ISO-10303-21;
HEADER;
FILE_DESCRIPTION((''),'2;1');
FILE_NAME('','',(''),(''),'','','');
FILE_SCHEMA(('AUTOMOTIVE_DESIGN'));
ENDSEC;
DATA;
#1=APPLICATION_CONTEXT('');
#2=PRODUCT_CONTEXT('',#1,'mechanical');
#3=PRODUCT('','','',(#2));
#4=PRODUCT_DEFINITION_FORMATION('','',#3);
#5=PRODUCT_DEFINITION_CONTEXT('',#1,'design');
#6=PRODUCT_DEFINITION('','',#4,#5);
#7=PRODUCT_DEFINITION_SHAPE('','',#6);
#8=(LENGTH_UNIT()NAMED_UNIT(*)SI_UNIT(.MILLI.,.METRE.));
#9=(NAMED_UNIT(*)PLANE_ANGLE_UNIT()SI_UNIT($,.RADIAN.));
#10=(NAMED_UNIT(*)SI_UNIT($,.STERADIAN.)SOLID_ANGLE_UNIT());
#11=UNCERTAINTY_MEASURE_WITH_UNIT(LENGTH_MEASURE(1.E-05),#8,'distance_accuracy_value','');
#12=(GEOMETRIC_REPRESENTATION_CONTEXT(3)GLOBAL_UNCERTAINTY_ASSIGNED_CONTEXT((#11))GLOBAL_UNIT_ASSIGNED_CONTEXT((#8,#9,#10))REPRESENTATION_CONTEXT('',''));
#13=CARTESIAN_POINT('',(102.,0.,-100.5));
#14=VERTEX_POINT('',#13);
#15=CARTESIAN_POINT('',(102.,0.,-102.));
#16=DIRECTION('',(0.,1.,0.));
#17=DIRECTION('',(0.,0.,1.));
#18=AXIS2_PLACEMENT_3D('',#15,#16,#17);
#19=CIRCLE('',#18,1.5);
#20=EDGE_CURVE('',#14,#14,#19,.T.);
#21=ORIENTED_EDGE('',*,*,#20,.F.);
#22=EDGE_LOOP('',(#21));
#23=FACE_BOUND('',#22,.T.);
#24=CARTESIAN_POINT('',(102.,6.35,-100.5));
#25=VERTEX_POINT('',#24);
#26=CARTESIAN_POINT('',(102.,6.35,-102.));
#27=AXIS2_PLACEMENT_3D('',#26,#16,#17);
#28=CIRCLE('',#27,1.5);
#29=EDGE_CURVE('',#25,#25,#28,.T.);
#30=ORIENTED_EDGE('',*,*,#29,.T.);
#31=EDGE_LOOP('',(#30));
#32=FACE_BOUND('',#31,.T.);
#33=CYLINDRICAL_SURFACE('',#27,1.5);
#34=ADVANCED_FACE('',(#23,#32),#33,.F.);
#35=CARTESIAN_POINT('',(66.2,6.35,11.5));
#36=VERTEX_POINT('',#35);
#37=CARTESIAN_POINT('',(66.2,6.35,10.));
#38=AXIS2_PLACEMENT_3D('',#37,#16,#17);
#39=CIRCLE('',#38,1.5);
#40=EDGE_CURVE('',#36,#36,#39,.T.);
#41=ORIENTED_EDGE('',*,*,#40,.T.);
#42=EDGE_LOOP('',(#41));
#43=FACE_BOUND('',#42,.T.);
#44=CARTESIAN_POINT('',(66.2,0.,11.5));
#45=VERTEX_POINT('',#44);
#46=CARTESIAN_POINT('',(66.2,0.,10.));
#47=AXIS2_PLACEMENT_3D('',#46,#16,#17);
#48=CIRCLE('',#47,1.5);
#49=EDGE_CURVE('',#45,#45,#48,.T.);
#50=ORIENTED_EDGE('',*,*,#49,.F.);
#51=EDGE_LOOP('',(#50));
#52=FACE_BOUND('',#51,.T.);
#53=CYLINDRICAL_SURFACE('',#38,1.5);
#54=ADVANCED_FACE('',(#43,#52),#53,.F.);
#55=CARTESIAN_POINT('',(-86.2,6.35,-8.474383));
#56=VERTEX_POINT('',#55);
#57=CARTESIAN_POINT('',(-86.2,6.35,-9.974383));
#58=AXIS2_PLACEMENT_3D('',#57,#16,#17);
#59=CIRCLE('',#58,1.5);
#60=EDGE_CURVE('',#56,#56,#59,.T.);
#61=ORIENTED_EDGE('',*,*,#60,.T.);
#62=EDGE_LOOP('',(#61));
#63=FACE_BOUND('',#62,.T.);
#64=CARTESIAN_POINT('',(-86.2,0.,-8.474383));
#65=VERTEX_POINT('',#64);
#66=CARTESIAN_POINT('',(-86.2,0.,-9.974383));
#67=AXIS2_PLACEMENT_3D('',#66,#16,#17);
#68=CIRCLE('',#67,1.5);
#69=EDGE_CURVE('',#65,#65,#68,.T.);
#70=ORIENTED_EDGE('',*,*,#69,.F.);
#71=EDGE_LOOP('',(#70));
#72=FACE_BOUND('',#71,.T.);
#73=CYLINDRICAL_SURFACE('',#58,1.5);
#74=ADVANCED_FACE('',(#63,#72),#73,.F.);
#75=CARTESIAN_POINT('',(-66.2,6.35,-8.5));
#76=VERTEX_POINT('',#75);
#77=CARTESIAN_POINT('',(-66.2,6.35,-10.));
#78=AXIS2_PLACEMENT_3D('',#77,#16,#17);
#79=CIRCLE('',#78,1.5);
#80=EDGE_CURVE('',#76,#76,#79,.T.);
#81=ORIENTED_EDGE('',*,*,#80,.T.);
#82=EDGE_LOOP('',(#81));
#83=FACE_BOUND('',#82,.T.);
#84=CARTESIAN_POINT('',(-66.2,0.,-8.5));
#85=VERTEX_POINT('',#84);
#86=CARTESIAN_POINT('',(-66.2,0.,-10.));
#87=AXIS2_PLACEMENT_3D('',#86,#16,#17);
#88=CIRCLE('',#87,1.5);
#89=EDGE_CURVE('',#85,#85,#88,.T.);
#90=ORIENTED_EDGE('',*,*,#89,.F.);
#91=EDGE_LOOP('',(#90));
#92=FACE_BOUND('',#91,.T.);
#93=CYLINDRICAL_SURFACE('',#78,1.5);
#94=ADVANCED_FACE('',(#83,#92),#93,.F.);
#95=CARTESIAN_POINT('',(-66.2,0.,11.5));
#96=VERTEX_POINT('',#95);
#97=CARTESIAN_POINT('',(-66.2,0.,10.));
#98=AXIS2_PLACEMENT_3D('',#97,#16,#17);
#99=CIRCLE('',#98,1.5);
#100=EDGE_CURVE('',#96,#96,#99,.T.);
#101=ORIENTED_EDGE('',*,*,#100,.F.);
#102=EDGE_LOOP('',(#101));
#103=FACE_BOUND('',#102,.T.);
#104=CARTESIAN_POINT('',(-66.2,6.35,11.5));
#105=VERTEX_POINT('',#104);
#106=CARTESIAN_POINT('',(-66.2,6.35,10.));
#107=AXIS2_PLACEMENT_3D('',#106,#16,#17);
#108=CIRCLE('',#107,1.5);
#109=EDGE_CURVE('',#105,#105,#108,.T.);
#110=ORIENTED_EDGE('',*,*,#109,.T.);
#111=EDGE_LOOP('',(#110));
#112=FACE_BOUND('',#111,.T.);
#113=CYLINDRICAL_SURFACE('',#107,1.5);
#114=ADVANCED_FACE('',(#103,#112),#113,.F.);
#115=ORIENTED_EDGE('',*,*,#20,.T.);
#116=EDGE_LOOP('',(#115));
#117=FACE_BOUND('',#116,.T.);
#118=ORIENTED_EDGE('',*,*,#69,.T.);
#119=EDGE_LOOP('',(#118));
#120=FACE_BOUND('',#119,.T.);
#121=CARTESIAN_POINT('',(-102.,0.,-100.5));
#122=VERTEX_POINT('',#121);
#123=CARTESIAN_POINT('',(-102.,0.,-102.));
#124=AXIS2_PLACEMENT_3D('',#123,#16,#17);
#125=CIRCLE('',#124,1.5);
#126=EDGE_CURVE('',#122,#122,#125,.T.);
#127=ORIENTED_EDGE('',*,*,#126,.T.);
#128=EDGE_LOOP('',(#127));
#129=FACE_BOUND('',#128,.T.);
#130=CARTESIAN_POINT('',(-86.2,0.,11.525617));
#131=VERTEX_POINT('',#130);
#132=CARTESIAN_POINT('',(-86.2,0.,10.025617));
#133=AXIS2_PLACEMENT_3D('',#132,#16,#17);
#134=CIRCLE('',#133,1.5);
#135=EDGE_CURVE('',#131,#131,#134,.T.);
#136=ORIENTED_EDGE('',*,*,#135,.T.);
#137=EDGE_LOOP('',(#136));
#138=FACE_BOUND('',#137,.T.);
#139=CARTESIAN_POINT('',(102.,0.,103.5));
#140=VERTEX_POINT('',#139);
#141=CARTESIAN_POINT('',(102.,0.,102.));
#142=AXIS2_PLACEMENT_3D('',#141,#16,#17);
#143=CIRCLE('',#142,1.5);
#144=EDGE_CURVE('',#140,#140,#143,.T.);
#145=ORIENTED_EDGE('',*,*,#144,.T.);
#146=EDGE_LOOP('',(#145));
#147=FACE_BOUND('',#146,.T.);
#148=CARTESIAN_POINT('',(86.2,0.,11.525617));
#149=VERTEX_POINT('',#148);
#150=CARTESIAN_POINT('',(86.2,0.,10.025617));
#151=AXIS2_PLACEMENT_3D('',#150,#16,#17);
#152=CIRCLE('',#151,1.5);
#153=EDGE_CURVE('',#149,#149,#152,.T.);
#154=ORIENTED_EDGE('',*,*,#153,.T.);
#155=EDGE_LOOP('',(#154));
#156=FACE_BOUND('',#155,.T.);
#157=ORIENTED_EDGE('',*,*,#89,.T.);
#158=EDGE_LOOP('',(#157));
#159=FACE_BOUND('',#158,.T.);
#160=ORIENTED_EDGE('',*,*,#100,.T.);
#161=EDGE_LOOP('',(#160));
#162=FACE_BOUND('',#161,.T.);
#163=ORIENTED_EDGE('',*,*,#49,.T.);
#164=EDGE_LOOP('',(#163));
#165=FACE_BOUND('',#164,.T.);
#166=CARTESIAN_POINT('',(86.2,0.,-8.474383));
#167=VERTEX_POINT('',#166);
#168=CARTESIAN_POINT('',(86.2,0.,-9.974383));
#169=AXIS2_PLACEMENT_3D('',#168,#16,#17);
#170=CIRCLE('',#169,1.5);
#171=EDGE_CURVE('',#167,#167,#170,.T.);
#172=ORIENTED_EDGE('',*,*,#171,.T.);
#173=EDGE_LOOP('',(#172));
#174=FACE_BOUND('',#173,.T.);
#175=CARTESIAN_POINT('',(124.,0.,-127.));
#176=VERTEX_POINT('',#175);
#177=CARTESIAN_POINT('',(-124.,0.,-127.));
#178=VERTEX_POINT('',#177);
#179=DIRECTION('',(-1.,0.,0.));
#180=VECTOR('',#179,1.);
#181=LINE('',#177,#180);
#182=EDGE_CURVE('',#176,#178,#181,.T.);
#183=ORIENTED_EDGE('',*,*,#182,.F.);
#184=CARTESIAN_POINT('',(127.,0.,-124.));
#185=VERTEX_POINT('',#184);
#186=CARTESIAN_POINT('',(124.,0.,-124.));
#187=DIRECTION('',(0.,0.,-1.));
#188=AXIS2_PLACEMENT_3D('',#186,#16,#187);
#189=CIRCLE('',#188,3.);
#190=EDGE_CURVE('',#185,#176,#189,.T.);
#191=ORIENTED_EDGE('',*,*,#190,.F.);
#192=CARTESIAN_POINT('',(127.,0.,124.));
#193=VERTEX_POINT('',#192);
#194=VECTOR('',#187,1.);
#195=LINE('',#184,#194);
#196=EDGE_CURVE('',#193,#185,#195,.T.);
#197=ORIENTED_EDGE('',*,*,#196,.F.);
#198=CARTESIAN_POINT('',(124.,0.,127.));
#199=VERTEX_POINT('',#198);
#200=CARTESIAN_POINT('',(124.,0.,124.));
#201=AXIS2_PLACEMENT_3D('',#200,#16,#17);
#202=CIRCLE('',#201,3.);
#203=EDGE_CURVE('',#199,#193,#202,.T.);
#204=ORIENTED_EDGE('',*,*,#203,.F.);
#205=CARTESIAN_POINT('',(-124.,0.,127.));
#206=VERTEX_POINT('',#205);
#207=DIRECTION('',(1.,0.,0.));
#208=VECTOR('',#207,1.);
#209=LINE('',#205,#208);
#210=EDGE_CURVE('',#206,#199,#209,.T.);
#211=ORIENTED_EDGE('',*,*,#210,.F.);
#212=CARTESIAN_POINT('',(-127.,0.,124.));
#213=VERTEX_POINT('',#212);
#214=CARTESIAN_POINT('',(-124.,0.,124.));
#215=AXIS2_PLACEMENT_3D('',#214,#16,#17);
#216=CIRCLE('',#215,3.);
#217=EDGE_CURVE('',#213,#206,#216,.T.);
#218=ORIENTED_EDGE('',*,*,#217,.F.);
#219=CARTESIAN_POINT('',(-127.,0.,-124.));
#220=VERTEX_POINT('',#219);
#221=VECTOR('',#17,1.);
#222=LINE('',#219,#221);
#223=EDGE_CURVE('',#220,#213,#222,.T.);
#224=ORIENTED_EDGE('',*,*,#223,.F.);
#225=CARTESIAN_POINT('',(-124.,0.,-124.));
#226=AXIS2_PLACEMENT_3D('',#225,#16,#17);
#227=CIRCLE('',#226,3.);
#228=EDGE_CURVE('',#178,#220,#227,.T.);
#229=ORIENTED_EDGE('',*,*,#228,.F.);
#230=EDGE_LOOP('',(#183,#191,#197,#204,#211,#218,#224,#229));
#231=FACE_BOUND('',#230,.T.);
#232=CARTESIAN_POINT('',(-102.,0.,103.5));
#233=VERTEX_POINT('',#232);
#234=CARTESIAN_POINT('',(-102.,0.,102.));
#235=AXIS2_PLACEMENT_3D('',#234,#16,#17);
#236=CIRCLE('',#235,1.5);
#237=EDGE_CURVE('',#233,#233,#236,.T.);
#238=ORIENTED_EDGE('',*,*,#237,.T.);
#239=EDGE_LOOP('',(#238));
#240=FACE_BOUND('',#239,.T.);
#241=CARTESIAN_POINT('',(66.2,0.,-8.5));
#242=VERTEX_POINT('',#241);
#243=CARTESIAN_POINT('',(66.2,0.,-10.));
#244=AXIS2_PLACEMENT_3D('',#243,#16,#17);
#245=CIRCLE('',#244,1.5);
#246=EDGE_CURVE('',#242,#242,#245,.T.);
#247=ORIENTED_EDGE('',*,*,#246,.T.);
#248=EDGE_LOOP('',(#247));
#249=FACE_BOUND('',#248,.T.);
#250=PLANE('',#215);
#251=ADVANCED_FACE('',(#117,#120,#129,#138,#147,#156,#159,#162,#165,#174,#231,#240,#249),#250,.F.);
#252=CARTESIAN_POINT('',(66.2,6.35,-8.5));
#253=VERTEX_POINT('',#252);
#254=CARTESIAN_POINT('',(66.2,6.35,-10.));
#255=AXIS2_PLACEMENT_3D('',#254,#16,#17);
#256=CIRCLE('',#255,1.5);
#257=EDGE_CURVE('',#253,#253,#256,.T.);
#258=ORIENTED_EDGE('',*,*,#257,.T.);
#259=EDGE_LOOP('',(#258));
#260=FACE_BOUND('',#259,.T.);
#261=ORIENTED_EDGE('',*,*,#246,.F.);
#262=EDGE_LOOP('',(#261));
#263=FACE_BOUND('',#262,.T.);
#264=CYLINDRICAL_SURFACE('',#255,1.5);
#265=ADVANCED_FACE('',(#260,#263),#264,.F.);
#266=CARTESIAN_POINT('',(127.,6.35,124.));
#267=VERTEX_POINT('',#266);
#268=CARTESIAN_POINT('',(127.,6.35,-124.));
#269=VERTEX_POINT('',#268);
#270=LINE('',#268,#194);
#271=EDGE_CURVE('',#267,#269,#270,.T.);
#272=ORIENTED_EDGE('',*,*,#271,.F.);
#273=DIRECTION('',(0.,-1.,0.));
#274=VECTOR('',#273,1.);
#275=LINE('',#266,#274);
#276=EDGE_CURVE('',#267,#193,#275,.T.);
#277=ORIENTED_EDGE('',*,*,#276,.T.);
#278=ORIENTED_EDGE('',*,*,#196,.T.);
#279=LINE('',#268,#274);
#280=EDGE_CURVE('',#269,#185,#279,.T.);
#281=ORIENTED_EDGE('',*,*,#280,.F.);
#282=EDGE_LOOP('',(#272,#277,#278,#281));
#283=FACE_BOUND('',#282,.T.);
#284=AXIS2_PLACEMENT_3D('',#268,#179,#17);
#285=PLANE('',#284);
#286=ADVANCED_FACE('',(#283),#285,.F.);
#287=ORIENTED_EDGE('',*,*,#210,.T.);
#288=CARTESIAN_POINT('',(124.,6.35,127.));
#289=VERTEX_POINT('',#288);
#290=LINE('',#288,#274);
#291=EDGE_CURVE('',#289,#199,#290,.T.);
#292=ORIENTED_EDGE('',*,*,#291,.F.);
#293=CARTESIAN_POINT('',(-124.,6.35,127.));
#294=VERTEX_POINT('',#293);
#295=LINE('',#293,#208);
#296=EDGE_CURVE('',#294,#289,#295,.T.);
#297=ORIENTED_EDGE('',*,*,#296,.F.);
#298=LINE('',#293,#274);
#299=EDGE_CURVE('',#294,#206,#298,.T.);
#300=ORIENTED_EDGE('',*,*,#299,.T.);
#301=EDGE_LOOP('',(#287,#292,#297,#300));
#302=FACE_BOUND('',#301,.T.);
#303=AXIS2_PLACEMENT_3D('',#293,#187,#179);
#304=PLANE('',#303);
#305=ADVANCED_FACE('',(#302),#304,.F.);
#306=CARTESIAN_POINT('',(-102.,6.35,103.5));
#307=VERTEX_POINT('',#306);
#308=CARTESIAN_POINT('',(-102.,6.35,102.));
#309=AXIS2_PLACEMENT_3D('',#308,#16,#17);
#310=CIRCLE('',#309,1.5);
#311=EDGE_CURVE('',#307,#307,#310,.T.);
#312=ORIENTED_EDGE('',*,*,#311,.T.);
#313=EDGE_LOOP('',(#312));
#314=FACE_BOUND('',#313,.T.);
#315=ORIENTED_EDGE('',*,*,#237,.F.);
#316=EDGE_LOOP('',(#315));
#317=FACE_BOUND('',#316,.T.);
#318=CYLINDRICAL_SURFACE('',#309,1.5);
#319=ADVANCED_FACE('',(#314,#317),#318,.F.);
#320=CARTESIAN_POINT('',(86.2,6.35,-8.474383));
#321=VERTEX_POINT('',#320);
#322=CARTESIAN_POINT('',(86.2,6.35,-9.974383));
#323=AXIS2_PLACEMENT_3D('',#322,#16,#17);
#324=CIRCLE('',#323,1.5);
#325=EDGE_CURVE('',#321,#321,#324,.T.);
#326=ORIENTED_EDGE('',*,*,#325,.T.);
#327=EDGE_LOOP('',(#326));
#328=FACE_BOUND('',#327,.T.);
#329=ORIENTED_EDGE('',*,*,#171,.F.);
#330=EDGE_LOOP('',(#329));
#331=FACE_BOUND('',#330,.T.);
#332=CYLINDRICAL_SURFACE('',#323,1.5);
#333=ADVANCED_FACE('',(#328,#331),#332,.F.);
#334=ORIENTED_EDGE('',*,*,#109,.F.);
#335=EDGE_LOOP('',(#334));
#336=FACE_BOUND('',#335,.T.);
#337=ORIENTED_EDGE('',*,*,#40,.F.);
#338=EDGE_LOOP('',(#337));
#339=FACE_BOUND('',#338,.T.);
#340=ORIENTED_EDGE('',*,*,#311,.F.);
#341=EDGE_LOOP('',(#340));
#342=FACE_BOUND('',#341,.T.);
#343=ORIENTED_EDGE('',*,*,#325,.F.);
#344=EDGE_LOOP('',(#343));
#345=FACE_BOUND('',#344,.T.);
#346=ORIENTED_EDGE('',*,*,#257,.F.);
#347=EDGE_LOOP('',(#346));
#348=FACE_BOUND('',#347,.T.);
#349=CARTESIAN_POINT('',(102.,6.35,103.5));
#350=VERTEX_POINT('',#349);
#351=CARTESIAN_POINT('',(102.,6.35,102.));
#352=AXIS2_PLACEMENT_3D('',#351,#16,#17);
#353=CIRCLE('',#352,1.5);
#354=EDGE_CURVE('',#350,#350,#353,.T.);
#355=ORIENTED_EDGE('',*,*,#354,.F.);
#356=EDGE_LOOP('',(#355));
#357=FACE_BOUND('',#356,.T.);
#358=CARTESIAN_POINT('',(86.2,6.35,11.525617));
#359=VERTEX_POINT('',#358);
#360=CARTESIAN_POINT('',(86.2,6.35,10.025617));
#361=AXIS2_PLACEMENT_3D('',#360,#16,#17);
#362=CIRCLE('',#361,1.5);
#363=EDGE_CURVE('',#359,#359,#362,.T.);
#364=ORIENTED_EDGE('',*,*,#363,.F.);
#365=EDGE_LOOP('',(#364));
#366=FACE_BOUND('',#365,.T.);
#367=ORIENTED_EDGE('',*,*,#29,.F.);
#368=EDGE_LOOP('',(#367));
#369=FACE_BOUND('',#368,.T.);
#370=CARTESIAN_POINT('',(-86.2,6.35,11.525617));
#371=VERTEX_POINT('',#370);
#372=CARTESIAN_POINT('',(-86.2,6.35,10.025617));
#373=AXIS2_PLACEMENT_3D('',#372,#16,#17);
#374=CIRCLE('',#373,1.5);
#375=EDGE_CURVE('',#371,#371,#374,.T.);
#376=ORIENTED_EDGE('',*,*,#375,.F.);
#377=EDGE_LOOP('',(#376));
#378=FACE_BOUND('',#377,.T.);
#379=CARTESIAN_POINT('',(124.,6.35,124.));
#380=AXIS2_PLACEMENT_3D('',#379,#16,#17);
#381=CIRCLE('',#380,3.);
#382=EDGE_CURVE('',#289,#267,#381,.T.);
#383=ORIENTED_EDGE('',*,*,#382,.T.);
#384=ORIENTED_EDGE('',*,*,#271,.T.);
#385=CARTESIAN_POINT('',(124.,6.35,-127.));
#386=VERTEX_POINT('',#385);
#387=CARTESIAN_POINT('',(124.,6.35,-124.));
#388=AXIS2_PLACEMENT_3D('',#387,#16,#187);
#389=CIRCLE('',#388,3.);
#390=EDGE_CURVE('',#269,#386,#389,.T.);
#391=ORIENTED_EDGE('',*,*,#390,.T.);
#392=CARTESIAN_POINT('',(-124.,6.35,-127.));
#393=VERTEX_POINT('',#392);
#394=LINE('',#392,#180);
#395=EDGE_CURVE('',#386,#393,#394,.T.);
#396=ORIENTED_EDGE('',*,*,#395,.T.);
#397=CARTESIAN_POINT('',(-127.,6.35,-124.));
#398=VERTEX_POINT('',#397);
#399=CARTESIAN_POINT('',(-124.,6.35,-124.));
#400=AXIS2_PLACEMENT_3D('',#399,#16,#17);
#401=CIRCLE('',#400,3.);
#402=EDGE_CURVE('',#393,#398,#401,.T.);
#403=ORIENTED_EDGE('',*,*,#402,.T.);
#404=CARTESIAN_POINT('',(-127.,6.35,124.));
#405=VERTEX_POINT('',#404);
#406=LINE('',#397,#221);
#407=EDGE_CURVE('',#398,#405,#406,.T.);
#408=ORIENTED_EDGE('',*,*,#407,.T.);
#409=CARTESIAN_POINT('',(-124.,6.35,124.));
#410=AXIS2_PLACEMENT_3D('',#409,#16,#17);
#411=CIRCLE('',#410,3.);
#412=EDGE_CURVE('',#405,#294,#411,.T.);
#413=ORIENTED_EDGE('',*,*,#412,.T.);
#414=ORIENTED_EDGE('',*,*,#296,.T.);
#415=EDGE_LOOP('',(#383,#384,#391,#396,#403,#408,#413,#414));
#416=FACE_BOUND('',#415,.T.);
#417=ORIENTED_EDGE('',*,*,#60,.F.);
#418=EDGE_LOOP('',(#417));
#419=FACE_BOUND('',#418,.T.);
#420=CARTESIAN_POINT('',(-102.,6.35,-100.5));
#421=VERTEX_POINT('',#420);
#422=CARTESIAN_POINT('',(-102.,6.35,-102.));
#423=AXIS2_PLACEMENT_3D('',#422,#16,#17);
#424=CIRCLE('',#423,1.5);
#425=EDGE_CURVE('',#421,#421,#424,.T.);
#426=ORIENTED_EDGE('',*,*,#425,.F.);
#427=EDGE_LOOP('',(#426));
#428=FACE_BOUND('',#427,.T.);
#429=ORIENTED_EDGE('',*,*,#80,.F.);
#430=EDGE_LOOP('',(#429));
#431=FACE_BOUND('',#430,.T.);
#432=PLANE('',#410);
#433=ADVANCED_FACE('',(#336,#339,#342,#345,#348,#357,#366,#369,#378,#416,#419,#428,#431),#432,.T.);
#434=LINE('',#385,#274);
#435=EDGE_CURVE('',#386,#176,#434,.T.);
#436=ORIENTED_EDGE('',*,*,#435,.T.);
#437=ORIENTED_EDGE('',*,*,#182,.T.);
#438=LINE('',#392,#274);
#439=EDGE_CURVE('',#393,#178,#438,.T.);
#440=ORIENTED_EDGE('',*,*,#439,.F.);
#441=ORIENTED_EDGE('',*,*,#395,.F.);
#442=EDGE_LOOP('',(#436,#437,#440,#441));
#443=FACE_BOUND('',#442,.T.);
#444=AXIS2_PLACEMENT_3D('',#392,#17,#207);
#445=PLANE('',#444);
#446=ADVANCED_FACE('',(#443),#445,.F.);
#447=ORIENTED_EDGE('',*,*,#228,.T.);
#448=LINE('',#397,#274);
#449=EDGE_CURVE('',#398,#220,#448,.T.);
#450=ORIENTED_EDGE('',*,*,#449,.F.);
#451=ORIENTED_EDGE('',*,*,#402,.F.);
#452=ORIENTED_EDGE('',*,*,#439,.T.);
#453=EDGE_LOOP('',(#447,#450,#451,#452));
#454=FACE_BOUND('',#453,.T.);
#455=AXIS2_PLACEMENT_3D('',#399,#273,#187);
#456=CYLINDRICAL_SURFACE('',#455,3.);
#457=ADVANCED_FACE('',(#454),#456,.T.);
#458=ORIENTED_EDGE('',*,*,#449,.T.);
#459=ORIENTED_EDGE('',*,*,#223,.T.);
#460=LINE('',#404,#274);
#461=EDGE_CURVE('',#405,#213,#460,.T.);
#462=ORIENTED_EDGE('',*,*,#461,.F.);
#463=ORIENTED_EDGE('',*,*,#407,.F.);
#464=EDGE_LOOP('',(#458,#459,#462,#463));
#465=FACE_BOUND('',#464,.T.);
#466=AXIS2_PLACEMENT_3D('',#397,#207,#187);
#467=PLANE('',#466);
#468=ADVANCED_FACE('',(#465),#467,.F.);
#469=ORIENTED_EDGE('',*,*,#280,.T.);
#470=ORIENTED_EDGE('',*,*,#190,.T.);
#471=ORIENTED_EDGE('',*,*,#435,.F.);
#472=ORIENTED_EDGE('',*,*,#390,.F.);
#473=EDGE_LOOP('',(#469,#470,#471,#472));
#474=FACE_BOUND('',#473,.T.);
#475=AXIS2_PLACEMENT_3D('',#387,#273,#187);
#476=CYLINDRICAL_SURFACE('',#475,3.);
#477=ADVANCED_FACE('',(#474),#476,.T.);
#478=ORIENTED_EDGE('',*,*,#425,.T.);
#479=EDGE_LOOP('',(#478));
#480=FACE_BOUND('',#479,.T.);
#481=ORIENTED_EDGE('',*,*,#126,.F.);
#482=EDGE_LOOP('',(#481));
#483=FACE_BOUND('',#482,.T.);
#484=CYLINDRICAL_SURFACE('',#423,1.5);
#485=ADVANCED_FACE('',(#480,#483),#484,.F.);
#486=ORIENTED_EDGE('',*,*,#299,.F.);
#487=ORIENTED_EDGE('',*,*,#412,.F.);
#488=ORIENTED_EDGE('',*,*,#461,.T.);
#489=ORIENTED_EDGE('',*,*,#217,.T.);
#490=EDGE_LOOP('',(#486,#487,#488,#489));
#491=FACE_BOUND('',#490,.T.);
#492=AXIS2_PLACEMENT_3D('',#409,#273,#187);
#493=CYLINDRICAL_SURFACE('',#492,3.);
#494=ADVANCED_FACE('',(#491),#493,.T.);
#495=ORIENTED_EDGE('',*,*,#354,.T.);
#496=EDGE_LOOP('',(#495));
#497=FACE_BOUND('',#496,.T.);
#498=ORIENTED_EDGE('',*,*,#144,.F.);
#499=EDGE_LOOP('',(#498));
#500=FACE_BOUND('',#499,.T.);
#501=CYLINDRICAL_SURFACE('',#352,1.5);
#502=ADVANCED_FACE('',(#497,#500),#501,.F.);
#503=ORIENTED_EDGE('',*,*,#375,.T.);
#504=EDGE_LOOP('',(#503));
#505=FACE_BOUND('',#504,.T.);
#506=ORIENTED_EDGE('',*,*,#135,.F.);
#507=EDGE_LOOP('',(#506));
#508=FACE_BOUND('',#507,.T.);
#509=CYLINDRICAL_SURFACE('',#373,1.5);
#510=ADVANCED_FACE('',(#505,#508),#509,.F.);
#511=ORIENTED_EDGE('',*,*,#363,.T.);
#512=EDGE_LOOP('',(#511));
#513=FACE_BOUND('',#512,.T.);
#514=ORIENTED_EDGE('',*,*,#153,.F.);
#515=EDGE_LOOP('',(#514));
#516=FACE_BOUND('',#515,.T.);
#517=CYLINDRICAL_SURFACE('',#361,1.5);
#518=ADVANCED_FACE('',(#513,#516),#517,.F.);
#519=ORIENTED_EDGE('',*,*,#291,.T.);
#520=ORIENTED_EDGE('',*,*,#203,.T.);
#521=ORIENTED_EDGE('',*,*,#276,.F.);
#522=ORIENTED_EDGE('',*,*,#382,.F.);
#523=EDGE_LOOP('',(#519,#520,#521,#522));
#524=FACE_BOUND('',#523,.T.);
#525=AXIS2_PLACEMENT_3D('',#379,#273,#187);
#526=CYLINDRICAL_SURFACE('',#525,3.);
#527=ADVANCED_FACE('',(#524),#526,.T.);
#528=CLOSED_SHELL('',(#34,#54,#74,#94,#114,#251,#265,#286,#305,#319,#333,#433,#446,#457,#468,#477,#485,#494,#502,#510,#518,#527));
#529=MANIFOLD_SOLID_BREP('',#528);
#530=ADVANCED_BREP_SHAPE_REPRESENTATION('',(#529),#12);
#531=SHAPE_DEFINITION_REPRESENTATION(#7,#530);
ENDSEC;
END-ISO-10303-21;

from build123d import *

# Parameters (mm, degrees)
BOSS_EXTRUDE1_DEPTH   = 6.35
F_3_0MM_DOWEL_HOLE1_D = 3
F_3_0MM_DOWEL_HOLE2_D = 3


with BuildPart() as part:
    # Sketch1 → Boss-Extrude1 (new body)
    with BuildSketch(Plane(origin=(0, 0, 0), x_dir=(1, 0, 0), z_dir=(0, 1, 0))):
        with BuildLine():
            Line((-124, 127), (124, 127))
            ThreePointArc((124, 127), (126.121320344, 126.121320344), (127, 124))
            Line((127, 124), (127, -124))
            ThreePointArc((127, -124), (126.121320344, -126.121320344), (124, -127))
            Line((124, -127), (-124, -127))
            ThreePointArc((-124, -127), (-126.121320344, -126.121320344), (-127, -124))
            Line((-127, -124), (-127, 124))
            ThreePointArc((-127, 124), (-126.121320344, 126.121320344), (-124, 127))
        make_face()
    extrude(amount=BOSS_EXTRUDE1_DEPTH)

    # Ø3.0mm Dowel Hole1 (through all)
    with Locations(Plane(origin=(0, 6.35, 0), x_dir=(1, 0, 0), z_dir=(0, 1, 0))):
        with Locations((-102, 102), (-102, -102), (102, -102), (102, 102)):
            Hole(F_3_0MM_DOWEL_HOLE1_D / 2)

    # Ø3.0mm Dowel Hole2 (through all)
    with Locations(Plane(origin=(0, 6.35, 0), x_dir=(1, 0, 0), z_dir=(0, 1, 0))):
        with Locations((66.2, 10), (-66.2, 10), (-66.2, -10), (-86.2, -10.025616853), (-86.2, 9.974383147), (86.2, 9.974383147), (86.2, -10.025616853), (66.2, -10)):
            Hole(F_3_0MM_DOWEL_HOLE2_D / 2)


solid = part.part
